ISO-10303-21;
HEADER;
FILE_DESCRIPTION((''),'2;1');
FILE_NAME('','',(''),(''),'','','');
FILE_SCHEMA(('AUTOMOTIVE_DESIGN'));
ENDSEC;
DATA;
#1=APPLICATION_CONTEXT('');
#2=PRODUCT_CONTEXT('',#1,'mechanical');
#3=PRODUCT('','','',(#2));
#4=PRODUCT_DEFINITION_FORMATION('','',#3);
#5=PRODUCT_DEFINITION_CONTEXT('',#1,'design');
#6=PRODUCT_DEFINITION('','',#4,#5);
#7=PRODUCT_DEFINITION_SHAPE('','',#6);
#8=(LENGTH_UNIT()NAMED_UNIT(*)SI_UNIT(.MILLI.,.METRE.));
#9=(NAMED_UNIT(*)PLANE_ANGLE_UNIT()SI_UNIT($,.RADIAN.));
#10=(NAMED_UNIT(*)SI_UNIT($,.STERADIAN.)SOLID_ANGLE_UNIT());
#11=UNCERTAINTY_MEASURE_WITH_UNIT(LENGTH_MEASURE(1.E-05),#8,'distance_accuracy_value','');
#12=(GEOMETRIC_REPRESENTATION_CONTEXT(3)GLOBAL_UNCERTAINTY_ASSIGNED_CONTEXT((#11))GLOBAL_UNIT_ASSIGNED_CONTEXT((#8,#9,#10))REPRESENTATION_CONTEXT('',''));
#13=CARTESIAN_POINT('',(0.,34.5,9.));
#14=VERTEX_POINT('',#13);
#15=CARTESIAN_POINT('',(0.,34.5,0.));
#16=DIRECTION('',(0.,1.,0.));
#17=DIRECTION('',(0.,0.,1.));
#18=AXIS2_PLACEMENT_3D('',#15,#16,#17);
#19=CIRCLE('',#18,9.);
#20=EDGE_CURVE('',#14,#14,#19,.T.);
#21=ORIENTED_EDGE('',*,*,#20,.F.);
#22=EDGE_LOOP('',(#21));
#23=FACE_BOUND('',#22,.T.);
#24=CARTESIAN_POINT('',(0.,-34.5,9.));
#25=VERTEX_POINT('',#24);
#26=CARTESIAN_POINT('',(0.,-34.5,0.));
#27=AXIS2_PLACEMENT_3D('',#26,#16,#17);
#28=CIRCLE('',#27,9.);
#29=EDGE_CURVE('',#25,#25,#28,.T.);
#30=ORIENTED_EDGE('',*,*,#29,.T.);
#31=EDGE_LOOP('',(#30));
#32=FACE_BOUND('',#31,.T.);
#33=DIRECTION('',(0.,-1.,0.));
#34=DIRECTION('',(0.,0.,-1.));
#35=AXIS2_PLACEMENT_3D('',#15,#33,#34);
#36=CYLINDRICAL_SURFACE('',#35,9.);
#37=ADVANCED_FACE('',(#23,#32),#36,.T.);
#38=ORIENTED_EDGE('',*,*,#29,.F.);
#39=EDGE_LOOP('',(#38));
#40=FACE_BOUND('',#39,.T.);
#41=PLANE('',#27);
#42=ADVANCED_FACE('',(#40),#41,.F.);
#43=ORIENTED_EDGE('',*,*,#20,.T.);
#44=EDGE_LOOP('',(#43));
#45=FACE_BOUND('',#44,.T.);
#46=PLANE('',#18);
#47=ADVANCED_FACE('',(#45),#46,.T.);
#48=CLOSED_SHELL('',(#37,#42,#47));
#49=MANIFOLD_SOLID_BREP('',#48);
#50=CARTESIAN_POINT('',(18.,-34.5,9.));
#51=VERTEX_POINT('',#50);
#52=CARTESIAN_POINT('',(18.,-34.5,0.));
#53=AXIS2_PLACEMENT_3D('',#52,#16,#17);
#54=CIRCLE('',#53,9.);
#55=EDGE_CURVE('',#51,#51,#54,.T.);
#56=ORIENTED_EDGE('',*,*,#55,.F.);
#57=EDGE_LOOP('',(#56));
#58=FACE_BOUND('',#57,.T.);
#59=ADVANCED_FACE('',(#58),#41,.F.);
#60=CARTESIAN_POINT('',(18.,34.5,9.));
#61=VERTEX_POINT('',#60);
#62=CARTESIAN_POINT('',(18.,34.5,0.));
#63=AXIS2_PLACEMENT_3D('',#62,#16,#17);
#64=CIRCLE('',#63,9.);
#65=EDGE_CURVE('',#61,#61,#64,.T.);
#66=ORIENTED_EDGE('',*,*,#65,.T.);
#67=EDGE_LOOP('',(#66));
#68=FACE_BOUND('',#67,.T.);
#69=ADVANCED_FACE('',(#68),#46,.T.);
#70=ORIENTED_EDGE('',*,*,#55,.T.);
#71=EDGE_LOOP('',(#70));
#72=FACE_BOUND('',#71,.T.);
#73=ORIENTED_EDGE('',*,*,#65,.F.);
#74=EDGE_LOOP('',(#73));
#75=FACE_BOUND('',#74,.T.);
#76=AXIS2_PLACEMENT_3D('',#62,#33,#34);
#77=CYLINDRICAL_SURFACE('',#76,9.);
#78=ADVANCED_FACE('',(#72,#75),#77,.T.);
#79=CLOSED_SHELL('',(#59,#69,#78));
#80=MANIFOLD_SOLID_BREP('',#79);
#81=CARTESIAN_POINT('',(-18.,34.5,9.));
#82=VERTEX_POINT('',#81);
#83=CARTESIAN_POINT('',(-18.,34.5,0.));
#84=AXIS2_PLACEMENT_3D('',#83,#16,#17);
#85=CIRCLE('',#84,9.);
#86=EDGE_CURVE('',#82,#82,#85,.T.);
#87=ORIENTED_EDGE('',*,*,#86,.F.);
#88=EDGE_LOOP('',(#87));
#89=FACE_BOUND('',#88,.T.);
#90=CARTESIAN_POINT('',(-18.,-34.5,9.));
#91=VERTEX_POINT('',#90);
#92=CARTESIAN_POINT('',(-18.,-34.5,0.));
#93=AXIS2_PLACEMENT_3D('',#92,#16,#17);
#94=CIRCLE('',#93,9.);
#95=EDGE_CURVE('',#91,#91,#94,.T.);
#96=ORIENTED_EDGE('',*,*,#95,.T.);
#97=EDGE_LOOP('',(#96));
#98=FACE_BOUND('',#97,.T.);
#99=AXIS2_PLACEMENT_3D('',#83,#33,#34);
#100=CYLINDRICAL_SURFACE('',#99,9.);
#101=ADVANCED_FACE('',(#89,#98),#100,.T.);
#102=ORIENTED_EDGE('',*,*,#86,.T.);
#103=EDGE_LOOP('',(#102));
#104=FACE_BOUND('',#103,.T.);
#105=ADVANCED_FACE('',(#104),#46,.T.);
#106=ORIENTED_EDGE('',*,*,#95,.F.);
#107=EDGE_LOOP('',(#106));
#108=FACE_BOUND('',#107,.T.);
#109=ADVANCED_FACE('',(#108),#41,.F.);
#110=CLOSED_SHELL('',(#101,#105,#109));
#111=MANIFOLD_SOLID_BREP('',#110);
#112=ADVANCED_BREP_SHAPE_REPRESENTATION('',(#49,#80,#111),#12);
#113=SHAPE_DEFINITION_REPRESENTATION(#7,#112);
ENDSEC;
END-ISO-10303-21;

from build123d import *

# Parameters (mm, degrees)
SKETCH1_R             = 9
BOSS_EXTRUDE1_DEPTH   = 34.5
BOSS_EXTRUDE1_2_DEPTH = 34.5
BOSS_EXTRUDE1_3_DEPTH = 34.5


with BuildPart() as part:
    # Sketch1 → Boss-Extrude1 (new, symmetric)
    with BuildSketch(Plane(origin=(0, 0, 0), x_dir=(1, 0, 0), z_dir=(0, 1, 0))):
        with Locations(Location((-18, 0, 0), (0, 0, 270))):
            Circle(SKETCH1_R)
    extrude(amount=BOSS_EXTRUDE1_DEPTH, both=True)


with BuildPart() as body_2:
    # Sketch1 → Boss-Extrude1 2 (new, symmetric)
    with BuildSketch(Plane(origin=(0, 0, 0), x_dir=(1, 0, 0), z_dir=(0, 1, 0))):
        with Locations(Location((0, 0, 0), (0, 0, 270))):
            Circle(SKETCH1_R)
    extrude(amount=BOSS_EXTRUDE1_2_DEPTH, both=True)


with BuildPart() as body_3:
    # Sketch1 → Boss-Extrude1 3 (new, symmetric)
    with BuildSketch(Plane(origin=(0, 0, 0), x_dir=(1, 0, 0), z_dir=(0, 1, 0))):
        with Locations(Location((18, 0, 0), (0, 0, 270))):
            Circle(SKETCH1_R)
    extrude(amount=BOSS_EXTRUDE1_3_DEPTH, both=True)


solid = Compound([part.part, body_2.part, body_3.part])
